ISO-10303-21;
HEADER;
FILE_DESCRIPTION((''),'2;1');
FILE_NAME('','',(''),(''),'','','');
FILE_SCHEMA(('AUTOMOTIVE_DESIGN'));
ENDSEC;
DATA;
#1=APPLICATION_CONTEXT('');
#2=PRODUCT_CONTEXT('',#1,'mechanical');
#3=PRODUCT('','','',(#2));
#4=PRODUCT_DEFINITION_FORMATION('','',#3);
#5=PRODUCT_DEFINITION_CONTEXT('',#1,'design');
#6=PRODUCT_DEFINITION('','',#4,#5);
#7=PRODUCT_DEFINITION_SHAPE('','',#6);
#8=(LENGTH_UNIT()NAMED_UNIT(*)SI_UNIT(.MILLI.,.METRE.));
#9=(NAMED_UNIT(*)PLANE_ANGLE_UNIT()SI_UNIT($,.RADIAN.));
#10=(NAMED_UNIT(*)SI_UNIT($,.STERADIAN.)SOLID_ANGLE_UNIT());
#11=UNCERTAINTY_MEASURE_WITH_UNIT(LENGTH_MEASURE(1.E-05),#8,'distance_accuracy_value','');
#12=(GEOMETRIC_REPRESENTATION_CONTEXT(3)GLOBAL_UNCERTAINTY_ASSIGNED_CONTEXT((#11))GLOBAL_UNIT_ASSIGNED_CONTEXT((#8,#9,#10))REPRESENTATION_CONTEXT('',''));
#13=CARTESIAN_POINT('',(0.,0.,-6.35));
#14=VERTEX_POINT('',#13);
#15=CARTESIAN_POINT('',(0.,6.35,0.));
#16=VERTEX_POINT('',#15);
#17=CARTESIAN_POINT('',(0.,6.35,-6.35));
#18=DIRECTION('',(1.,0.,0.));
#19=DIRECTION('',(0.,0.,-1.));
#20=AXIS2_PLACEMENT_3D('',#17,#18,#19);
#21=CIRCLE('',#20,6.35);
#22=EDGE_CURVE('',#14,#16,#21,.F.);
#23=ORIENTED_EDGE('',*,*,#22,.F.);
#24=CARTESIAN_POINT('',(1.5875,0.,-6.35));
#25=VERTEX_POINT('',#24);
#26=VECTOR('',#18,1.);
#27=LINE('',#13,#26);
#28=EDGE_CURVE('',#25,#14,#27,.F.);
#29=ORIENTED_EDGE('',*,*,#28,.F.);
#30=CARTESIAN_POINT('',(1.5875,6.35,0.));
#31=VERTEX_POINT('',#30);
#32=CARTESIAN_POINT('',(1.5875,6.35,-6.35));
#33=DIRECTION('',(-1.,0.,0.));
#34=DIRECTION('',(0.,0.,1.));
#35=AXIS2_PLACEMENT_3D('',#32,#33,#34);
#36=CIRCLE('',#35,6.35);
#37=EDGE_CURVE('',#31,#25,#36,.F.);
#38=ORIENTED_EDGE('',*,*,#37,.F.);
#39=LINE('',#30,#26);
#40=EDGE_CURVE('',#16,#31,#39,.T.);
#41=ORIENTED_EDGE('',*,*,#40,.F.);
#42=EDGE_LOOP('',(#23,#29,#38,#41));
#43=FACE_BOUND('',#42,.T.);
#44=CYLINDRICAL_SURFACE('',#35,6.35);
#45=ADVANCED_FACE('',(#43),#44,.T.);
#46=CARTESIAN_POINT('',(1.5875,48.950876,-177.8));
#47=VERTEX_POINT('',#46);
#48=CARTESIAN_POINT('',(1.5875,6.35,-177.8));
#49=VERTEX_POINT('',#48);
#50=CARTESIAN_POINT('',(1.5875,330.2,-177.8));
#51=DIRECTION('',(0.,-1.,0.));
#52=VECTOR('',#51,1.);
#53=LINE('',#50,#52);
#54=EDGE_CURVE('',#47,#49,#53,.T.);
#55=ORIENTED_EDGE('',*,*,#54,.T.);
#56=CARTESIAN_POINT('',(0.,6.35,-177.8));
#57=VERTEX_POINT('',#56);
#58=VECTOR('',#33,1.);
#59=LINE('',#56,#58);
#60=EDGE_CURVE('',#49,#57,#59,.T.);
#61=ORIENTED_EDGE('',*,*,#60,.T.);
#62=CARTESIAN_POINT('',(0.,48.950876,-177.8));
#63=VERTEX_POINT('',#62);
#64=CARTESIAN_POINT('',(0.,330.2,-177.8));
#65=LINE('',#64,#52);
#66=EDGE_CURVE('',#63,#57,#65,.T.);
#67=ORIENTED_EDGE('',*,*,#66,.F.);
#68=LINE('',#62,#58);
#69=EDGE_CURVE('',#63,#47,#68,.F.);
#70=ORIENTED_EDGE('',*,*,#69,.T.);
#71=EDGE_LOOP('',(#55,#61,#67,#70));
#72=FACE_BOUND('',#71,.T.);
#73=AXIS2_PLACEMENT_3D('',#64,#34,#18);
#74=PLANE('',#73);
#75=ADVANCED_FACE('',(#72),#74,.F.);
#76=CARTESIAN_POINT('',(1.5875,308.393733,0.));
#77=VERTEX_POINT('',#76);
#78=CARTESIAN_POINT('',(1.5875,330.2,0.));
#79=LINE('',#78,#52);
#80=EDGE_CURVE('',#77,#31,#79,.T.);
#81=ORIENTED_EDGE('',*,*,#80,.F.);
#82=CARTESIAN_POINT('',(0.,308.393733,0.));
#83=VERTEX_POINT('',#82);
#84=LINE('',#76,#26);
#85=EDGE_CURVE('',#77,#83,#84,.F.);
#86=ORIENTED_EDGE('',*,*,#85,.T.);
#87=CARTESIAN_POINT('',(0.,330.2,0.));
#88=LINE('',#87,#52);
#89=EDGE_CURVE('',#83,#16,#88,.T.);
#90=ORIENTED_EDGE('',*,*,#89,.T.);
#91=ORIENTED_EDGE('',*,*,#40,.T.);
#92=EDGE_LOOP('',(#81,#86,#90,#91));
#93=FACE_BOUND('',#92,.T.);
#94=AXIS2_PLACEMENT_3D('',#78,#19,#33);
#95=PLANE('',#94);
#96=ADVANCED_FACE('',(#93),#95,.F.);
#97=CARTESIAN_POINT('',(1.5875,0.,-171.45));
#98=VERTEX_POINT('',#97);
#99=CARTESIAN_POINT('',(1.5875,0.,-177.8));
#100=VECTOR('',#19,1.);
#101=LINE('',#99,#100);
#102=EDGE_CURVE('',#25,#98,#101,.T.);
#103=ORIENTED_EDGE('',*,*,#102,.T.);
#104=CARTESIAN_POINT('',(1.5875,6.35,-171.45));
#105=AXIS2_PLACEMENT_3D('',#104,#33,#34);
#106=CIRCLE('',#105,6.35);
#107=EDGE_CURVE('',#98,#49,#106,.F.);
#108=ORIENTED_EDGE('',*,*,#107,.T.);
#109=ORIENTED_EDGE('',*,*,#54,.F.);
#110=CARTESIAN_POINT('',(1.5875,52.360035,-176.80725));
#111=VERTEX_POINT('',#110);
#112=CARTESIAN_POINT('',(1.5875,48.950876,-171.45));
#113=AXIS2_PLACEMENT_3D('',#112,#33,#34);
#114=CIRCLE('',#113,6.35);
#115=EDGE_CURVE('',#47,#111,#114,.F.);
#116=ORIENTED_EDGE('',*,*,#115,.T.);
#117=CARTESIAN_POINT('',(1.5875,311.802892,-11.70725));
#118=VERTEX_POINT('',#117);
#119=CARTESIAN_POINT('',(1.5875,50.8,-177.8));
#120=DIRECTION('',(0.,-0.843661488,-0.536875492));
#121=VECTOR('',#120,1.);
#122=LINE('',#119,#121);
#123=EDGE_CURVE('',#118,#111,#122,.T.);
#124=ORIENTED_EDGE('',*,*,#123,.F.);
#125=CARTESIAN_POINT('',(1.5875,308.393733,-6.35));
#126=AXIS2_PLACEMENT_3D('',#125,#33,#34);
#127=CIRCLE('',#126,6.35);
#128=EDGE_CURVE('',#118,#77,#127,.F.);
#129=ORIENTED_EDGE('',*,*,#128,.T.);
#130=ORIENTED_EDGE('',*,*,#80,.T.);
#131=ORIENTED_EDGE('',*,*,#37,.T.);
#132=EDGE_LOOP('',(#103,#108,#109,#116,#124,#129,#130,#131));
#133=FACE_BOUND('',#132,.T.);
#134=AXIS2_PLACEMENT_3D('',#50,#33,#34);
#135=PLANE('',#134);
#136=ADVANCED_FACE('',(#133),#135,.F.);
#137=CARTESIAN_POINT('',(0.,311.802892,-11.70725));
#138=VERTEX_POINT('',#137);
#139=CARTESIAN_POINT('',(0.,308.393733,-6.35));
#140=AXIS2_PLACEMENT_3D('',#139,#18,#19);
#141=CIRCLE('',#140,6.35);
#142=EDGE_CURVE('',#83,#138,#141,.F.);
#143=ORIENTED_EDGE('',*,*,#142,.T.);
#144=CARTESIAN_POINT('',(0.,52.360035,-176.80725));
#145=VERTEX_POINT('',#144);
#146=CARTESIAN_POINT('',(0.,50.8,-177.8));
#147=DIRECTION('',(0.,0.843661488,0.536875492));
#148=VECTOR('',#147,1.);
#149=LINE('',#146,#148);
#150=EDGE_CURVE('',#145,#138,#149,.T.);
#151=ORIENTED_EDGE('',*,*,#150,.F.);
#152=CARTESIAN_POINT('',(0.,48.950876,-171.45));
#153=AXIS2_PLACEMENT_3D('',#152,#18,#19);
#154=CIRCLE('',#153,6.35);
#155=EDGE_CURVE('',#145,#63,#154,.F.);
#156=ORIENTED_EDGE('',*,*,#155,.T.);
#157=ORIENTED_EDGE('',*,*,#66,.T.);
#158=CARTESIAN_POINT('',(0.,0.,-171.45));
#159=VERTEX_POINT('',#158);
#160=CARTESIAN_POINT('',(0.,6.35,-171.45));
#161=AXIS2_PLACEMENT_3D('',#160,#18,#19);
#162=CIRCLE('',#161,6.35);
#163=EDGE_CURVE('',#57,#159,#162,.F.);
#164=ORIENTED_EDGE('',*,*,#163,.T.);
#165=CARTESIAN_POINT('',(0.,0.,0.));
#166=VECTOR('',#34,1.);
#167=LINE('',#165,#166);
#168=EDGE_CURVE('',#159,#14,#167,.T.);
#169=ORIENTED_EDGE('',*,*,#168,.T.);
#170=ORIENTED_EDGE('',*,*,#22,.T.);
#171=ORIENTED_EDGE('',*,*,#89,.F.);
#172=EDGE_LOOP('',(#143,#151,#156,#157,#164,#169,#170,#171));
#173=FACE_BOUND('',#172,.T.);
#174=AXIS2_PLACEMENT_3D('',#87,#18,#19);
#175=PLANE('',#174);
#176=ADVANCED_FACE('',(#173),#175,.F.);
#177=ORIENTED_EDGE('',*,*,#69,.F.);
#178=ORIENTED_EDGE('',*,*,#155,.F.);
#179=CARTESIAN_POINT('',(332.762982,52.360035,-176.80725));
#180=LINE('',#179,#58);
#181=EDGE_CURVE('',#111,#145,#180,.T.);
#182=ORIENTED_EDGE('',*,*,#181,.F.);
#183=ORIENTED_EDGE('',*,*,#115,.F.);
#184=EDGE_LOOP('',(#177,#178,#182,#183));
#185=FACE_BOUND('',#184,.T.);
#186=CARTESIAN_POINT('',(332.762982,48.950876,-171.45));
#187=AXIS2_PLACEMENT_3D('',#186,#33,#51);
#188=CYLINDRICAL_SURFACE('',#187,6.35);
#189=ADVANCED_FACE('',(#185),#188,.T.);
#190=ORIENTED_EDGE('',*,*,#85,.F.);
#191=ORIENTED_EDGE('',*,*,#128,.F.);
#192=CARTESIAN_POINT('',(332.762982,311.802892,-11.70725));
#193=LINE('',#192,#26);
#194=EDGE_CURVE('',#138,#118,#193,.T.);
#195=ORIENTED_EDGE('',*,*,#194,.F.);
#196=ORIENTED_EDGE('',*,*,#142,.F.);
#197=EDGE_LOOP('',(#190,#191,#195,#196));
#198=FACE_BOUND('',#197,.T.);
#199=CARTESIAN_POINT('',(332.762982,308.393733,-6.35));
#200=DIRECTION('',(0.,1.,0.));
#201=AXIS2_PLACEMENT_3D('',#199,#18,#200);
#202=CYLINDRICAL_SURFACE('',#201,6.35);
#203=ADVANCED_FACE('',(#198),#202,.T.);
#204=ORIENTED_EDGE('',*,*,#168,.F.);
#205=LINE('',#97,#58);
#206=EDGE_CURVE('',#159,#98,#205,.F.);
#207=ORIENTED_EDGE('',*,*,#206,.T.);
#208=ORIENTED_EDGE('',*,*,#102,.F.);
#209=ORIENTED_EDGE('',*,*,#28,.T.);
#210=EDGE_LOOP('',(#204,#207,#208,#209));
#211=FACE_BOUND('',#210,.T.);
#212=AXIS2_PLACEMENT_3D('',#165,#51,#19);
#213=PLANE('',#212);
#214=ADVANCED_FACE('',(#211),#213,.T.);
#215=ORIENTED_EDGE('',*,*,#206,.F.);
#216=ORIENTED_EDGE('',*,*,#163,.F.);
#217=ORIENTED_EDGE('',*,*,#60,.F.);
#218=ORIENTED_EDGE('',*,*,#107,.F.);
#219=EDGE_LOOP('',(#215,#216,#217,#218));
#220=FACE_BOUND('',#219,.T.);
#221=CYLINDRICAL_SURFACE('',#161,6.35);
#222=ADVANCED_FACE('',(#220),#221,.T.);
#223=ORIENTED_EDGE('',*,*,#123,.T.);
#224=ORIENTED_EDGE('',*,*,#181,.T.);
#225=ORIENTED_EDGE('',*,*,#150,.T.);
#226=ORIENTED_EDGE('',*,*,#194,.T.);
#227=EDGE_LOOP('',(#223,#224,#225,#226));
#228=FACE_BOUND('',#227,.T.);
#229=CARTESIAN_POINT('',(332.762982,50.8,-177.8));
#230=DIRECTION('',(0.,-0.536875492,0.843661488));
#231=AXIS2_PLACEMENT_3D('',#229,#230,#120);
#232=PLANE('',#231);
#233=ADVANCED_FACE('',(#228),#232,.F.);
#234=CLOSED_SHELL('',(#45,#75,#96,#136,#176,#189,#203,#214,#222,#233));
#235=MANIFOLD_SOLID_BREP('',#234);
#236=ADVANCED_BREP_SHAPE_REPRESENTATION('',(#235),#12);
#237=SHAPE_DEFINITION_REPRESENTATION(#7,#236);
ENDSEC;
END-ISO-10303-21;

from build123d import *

# Parameters (mm, degrees)
SKETCH1_W           = 1.5875
SKETCH1_H           = 177.8
BOSS_EXTRUDE1_DEPTH = 330.2
CUT_EXTRUDE1_DEPTH  = 1.5875
FILLET1_R           = 6.35


with BuildPart() as part:
    # Sketch1 → Boss-Extrude1 (new body)
    with BuildSketch(Plane(origin=(0, 0, 0), x_dir=(1, 0, 0), z_dir=(0, 1, 0))):
        with Locations((0.79375, 88.9)):
            Rectangle(SKETCH1_W, SKETCH1_H)
    extrude(amount=BOSS_EXTRUDE1_DEPTH)

    # Sketch2 → Cut-Extrude1 (cut)
    with BuildSketch(Plane.ZY):
        Polygon((-177.8, 50.8), (0, 330.2), (-177.8, 330.2), align=None)
    extrude(amount=-CUT_EXTRUDE1_DEPTH, mode=Mode.SUBTRACT)

    # Fillet1
    fillet1_edges = [part.edges().sort_by_distance(p)[0] for p in [
        (0.79375, 50.8, -177.8),
        (0.79375, 330.2, 0),
        (0.79375, 0, -177.8),
        (0.79375, 0, 0),
    ]]
    fillet(fillet1_edges, radius=FILLET1_R)


solid = part.part
